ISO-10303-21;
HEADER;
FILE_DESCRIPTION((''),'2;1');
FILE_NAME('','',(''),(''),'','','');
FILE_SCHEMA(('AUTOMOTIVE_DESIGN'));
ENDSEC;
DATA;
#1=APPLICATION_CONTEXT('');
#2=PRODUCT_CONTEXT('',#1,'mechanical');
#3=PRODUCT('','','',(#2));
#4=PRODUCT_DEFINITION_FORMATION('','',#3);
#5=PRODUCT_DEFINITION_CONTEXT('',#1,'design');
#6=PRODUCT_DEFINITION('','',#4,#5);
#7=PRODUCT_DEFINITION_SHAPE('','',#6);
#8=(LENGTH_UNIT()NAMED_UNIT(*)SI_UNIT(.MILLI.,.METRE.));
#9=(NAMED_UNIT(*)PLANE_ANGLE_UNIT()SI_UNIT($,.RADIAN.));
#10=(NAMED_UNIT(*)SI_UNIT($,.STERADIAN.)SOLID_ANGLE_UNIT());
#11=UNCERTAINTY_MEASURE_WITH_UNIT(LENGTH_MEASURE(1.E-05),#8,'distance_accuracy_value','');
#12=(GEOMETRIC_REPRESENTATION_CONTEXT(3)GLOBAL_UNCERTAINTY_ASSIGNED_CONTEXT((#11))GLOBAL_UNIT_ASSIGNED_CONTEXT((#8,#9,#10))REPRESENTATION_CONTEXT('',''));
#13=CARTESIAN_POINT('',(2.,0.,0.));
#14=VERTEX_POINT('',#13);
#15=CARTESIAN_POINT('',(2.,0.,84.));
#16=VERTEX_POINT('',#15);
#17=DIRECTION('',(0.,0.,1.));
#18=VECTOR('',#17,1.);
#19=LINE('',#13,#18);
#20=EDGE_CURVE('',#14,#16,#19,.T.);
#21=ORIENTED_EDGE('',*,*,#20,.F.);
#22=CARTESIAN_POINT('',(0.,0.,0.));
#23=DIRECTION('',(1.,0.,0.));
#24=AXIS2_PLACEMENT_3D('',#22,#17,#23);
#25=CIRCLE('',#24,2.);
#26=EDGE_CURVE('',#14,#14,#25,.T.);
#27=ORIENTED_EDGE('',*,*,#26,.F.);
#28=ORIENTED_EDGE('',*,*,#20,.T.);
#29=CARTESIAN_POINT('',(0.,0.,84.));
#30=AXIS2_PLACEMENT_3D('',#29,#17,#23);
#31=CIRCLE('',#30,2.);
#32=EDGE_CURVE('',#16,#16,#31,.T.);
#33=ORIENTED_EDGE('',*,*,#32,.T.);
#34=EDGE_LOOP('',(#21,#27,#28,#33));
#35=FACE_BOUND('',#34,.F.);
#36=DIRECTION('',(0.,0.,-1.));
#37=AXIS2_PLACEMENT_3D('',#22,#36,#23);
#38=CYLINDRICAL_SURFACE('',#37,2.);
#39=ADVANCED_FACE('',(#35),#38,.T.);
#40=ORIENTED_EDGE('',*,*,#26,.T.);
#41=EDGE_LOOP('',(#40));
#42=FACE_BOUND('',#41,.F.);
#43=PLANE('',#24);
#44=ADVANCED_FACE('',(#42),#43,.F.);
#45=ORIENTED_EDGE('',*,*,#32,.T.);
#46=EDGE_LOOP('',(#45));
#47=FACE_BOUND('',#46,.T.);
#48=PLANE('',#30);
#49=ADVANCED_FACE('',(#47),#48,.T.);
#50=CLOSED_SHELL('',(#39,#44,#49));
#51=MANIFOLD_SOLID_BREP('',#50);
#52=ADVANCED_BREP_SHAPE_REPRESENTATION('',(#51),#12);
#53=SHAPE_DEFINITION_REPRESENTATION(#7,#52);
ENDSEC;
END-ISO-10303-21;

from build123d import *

# Parameters (mm, degrees)
SKETCH_1_R      = 2
EXTRUDE_1_DEPTH = 84


with BuildPart() as part:
    # 草图1 → 凸台-拉伸1 (new body)
    with BuildSketch(Plane.XY):
        Circle(SKETCH_1_R)
    extrude(amount=EXTRUDE_1_DEPTH)


solid = part.part
